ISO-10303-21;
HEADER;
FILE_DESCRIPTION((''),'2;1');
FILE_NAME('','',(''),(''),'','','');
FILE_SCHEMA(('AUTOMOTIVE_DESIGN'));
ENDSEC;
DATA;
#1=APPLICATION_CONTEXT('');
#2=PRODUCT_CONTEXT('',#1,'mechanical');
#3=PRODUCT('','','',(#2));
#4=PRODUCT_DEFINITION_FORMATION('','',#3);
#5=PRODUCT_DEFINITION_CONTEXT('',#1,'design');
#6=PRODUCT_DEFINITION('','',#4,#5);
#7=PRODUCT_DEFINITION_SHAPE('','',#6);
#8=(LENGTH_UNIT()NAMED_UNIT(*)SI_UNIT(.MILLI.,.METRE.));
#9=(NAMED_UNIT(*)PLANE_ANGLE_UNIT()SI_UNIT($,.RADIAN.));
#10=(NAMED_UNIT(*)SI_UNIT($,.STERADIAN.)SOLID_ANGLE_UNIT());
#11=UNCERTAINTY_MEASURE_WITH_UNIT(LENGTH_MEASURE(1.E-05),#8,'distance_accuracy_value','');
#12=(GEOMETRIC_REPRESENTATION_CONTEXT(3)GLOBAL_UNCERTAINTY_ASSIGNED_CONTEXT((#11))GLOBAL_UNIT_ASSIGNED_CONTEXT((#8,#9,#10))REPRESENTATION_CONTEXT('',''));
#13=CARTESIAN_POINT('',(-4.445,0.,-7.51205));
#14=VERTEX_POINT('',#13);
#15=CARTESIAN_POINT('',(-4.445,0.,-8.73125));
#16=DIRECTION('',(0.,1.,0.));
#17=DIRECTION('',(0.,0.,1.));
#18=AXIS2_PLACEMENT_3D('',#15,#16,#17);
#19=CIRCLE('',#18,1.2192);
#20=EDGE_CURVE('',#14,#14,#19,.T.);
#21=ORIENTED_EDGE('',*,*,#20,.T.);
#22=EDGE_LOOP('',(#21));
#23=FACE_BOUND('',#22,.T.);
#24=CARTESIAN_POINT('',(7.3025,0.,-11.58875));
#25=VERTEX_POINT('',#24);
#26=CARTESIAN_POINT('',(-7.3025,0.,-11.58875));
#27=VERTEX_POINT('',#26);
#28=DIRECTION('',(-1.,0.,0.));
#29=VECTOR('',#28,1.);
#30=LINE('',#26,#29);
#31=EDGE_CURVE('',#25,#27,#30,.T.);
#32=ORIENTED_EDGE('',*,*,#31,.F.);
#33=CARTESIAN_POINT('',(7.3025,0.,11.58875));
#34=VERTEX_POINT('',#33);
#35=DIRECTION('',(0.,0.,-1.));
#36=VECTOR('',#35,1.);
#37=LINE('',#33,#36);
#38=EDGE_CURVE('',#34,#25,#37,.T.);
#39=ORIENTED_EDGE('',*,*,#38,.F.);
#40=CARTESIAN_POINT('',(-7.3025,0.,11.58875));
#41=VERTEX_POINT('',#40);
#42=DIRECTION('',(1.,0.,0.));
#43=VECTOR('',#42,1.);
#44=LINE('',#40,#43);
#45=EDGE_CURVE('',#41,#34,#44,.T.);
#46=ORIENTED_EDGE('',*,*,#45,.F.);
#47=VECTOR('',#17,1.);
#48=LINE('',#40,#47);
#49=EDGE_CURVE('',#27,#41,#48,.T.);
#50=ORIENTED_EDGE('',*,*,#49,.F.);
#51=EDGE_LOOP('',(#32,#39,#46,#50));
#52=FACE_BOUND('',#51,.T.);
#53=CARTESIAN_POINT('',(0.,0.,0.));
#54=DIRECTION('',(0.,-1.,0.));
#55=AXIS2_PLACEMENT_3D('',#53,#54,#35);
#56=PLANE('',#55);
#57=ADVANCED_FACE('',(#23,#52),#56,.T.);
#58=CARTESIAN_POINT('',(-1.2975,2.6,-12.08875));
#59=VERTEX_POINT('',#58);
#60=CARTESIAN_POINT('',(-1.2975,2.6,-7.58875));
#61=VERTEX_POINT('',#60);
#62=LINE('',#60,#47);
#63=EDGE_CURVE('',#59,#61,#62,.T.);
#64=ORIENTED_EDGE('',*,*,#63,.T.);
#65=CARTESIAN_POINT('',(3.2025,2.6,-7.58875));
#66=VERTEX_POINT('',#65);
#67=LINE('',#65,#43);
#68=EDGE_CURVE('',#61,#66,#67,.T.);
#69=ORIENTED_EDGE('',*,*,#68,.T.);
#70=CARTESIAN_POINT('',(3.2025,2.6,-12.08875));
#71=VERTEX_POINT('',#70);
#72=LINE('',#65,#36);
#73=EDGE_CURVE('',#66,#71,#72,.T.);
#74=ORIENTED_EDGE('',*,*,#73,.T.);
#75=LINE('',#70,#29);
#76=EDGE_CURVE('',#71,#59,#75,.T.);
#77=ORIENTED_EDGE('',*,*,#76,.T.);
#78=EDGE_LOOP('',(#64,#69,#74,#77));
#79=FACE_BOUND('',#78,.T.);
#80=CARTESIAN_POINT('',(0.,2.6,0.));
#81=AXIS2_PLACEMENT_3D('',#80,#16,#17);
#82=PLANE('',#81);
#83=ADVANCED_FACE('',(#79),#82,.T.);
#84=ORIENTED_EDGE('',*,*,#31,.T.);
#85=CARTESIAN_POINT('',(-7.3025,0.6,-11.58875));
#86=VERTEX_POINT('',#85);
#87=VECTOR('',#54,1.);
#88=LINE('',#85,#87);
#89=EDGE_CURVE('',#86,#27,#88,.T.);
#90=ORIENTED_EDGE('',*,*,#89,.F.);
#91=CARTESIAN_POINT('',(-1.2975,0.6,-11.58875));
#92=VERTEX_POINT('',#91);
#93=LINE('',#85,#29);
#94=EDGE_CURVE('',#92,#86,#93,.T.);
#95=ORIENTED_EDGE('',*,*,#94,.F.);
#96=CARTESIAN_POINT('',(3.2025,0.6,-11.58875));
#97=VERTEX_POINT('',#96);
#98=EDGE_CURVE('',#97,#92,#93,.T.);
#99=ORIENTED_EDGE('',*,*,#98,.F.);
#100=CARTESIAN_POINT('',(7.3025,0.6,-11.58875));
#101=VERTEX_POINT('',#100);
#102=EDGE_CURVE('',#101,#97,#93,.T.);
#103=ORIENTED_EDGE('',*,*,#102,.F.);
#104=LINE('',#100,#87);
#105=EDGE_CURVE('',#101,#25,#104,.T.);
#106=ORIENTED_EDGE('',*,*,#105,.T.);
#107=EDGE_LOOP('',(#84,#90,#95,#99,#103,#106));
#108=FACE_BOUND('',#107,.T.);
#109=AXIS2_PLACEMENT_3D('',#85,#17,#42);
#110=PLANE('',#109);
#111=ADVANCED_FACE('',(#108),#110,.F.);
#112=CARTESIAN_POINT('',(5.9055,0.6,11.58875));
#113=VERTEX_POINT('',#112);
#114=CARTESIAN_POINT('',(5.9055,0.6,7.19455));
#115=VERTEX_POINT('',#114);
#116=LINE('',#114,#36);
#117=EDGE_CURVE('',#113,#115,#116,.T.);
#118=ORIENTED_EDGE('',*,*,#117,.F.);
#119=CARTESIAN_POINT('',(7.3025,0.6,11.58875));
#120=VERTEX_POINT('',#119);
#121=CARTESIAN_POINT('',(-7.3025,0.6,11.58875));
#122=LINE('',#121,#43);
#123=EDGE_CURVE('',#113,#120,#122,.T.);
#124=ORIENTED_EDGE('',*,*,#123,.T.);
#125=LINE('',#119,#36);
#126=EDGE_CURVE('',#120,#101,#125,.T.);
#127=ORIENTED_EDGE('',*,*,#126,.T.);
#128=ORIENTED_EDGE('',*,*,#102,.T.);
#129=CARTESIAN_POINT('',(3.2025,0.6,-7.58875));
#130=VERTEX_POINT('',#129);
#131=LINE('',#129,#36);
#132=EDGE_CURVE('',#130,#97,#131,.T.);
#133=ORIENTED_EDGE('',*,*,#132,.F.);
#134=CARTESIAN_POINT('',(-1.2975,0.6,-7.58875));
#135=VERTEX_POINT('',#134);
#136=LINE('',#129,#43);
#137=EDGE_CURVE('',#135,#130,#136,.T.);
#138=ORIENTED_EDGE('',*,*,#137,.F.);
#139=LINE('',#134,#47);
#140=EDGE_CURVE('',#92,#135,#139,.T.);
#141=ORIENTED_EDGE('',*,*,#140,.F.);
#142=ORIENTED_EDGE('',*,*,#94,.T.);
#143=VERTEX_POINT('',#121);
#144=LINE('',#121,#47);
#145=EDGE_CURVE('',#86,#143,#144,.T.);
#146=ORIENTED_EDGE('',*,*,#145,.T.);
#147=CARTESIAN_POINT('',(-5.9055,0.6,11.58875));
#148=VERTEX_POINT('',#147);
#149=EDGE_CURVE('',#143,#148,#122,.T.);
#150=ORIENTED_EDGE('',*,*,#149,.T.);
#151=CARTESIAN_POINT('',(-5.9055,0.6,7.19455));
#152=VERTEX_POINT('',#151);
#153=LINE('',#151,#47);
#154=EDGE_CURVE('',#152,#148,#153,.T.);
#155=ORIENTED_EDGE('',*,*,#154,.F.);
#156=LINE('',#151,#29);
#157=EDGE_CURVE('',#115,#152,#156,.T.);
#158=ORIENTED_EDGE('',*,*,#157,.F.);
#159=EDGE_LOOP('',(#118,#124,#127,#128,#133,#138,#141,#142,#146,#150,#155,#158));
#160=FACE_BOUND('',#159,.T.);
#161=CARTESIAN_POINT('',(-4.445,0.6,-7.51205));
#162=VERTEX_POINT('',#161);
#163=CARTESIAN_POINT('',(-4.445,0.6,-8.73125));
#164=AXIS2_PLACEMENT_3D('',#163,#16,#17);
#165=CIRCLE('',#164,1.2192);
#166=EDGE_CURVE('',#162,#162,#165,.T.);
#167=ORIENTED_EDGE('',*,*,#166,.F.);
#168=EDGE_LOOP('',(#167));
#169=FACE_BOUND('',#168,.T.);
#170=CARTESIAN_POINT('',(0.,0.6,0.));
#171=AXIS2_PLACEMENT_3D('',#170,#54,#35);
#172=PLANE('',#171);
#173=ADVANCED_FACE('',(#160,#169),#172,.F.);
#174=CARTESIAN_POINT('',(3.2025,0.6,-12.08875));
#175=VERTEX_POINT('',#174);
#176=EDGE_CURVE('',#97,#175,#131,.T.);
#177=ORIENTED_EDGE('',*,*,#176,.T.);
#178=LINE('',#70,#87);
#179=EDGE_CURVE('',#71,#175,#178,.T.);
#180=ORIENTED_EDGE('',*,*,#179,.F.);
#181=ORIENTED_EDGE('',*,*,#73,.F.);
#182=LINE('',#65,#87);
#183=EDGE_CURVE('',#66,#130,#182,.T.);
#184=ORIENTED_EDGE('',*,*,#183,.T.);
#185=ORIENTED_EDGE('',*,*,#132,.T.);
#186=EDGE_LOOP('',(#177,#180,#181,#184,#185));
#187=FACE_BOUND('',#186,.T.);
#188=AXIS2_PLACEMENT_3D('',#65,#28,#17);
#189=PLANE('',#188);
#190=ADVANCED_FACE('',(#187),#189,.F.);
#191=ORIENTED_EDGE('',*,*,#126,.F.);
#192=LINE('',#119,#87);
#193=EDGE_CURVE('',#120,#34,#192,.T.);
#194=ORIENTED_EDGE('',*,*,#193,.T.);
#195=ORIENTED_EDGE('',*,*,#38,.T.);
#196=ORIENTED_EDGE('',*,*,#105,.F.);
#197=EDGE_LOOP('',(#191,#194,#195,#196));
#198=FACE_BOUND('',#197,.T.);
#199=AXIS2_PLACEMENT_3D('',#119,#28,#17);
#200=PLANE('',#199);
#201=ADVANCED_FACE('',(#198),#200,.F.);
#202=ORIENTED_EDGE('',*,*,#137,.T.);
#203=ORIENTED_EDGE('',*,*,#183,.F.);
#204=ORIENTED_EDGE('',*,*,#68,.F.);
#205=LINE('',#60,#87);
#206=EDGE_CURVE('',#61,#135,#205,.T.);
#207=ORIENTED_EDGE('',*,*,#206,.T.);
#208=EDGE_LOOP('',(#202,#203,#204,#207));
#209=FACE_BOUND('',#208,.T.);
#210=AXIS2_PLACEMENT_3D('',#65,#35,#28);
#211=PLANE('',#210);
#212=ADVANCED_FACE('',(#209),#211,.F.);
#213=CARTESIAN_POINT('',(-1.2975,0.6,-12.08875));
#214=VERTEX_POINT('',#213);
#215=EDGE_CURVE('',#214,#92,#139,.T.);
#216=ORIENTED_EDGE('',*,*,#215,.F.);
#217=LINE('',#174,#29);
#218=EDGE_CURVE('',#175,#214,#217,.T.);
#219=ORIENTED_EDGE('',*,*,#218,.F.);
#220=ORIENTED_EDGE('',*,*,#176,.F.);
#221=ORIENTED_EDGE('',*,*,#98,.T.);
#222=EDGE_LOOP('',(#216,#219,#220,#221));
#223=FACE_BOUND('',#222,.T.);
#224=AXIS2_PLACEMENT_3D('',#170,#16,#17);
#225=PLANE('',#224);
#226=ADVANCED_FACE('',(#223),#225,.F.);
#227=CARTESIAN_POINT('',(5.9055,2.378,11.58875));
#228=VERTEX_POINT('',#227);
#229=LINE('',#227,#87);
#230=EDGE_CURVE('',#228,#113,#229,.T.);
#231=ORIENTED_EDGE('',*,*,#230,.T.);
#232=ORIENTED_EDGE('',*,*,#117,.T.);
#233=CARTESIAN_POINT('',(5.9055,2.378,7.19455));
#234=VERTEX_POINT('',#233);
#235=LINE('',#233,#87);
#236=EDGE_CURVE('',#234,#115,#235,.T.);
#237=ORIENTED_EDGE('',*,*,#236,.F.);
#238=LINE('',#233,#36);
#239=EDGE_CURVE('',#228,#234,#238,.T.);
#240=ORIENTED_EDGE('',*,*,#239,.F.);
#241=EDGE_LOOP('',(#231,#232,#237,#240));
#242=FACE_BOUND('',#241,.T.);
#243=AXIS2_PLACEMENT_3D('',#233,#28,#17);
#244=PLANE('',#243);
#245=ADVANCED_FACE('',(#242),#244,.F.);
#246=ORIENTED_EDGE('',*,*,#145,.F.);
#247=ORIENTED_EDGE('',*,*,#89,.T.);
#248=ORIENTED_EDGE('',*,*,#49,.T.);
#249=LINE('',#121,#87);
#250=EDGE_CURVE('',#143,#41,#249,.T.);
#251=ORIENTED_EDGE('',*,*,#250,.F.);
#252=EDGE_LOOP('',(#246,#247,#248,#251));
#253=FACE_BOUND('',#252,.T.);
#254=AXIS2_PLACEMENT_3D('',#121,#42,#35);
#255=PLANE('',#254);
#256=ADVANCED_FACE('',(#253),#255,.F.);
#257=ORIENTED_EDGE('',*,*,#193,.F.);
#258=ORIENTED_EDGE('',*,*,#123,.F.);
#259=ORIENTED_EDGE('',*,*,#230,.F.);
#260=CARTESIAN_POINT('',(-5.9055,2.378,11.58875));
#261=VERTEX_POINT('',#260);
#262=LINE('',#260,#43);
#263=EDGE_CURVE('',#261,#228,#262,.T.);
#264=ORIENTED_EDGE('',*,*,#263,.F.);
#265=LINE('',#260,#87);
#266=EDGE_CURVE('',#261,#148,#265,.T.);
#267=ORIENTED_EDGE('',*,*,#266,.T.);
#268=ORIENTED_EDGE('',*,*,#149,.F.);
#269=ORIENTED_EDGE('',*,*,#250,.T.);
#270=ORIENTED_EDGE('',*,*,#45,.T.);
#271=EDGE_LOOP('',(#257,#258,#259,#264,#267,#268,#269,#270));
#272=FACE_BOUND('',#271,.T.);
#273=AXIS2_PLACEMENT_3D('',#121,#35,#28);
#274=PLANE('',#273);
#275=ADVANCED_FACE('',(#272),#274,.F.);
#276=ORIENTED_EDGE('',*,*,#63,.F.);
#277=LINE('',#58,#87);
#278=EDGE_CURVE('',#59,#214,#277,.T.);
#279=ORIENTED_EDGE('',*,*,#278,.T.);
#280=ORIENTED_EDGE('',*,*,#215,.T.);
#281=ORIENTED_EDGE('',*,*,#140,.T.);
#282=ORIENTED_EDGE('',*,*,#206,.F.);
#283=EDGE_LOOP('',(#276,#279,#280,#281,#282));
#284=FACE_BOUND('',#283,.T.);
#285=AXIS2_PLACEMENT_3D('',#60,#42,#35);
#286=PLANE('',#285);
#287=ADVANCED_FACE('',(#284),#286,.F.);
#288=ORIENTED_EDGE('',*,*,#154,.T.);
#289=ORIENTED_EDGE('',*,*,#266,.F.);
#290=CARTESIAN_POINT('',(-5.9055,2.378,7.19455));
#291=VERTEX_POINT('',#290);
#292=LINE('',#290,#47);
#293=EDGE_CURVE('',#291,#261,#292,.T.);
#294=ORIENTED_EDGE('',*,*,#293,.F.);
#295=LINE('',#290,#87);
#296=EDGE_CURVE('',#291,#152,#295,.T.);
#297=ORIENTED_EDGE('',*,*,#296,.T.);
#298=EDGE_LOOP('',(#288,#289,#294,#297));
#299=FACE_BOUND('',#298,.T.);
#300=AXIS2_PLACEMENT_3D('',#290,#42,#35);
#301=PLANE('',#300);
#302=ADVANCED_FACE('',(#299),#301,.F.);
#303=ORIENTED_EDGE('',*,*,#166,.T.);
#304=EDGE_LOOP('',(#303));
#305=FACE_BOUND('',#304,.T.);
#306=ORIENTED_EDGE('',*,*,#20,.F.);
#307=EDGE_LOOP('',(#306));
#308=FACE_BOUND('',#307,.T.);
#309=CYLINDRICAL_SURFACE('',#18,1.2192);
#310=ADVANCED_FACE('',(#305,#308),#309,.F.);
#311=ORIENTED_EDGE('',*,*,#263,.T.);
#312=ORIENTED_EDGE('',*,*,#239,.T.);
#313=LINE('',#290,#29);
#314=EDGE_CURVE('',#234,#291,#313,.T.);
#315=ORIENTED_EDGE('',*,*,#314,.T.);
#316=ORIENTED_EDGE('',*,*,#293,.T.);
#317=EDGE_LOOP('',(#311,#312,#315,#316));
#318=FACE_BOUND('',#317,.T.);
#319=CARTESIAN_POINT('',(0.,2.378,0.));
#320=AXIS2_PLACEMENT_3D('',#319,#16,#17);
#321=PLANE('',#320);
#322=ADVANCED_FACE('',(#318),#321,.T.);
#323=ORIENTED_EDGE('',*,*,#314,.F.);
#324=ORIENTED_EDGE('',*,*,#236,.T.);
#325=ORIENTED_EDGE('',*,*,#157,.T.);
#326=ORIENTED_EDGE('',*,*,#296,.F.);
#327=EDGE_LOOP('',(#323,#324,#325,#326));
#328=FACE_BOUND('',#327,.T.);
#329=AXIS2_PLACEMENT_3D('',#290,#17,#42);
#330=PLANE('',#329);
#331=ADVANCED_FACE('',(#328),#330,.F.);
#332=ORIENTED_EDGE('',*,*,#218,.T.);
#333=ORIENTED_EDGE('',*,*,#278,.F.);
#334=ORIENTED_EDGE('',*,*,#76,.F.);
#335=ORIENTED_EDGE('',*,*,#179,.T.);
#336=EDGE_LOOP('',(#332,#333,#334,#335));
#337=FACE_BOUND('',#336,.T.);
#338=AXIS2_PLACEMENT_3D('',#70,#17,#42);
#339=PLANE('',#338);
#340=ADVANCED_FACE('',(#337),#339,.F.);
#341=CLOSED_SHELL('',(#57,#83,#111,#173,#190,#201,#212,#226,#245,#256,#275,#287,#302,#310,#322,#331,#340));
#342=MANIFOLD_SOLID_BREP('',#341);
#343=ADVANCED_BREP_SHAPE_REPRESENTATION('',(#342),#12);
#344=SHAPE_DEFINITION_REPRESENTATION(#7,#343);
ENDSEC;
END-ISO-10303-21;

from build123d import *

# Parameters (mm, degrees)
SKETCH1_W           = 14.605
SKETCH1_H           = 23.1775
BOSS_EXTRUDE1_DEPTH = 0.6
SKETCH2_R           = 1.2192
CUT_EXTRUDE1_DEPTH  = 14.710785273
SKETCH3_W           = 11.811
SKETCH3_H           = 4.3942
BOSS_EXTRUDE2_DEPTH = 1.778
SKETCH4_W           = 4.5
SKETCH4_H           = 4.5
BOSS_EXTRUDE3_DEPTH = 2


with BuildPart() as part:
    # Sketch1 → Boss-Extrude1 (new body)
    with BuildSketch(Plane(origin=(0, 0, 0), x_dir=(1, 0, 0), z_dir=(0, 1, 0))):
        Rectangle(SKETCH1_W, SKETCH1_H)
    extrude(amount=BOSS_EXTRUDE1_DEPTH)

    # Sketch2 → Cut-Extrude1 (cut, through all)
    with BuildSketch(Plane(origin=(0, 0.6, 0), x_dir=(1, 0, 0), z_dir=(0, 1, 0))):
        with Locations(Location((-4.445, 8.73125, 0), (0, 0, 270))):
            Circle(SKETCH2_R)
    extrude(amount=-CUT_EXTRUDE1_DEPTH, mode=Mode.SUBTRACT)

    # Sketch3 → Boss-Extrude2 (add)
    with BuildSketch(Plane(origin=(0, 0.6, 0.6), x_dir=(1, 0, 0), z_dir=(0, 1, 0))):
        with Locations((0, -8.79165)):
            Rectangle(SKETCH3_W, SKETCH3_H)
    extrude(amount=BOSS_EXTRUDE2_DEPTH)

    # Sketch4 → Boss-Extrude3 (add)
    with BuildSketch(Plane(origin=(0, 0.6, 0), x_dir=(1, 0, 0), z_dir=(0, 1, 0))):
        with Locations((0.9525, 9.83875)):
            Rectangle(SKETCH4_W, SKETCH4_H)
    extrude(amount=BOSS_EXTRUDE3_DEPTH)


solid = part.part
